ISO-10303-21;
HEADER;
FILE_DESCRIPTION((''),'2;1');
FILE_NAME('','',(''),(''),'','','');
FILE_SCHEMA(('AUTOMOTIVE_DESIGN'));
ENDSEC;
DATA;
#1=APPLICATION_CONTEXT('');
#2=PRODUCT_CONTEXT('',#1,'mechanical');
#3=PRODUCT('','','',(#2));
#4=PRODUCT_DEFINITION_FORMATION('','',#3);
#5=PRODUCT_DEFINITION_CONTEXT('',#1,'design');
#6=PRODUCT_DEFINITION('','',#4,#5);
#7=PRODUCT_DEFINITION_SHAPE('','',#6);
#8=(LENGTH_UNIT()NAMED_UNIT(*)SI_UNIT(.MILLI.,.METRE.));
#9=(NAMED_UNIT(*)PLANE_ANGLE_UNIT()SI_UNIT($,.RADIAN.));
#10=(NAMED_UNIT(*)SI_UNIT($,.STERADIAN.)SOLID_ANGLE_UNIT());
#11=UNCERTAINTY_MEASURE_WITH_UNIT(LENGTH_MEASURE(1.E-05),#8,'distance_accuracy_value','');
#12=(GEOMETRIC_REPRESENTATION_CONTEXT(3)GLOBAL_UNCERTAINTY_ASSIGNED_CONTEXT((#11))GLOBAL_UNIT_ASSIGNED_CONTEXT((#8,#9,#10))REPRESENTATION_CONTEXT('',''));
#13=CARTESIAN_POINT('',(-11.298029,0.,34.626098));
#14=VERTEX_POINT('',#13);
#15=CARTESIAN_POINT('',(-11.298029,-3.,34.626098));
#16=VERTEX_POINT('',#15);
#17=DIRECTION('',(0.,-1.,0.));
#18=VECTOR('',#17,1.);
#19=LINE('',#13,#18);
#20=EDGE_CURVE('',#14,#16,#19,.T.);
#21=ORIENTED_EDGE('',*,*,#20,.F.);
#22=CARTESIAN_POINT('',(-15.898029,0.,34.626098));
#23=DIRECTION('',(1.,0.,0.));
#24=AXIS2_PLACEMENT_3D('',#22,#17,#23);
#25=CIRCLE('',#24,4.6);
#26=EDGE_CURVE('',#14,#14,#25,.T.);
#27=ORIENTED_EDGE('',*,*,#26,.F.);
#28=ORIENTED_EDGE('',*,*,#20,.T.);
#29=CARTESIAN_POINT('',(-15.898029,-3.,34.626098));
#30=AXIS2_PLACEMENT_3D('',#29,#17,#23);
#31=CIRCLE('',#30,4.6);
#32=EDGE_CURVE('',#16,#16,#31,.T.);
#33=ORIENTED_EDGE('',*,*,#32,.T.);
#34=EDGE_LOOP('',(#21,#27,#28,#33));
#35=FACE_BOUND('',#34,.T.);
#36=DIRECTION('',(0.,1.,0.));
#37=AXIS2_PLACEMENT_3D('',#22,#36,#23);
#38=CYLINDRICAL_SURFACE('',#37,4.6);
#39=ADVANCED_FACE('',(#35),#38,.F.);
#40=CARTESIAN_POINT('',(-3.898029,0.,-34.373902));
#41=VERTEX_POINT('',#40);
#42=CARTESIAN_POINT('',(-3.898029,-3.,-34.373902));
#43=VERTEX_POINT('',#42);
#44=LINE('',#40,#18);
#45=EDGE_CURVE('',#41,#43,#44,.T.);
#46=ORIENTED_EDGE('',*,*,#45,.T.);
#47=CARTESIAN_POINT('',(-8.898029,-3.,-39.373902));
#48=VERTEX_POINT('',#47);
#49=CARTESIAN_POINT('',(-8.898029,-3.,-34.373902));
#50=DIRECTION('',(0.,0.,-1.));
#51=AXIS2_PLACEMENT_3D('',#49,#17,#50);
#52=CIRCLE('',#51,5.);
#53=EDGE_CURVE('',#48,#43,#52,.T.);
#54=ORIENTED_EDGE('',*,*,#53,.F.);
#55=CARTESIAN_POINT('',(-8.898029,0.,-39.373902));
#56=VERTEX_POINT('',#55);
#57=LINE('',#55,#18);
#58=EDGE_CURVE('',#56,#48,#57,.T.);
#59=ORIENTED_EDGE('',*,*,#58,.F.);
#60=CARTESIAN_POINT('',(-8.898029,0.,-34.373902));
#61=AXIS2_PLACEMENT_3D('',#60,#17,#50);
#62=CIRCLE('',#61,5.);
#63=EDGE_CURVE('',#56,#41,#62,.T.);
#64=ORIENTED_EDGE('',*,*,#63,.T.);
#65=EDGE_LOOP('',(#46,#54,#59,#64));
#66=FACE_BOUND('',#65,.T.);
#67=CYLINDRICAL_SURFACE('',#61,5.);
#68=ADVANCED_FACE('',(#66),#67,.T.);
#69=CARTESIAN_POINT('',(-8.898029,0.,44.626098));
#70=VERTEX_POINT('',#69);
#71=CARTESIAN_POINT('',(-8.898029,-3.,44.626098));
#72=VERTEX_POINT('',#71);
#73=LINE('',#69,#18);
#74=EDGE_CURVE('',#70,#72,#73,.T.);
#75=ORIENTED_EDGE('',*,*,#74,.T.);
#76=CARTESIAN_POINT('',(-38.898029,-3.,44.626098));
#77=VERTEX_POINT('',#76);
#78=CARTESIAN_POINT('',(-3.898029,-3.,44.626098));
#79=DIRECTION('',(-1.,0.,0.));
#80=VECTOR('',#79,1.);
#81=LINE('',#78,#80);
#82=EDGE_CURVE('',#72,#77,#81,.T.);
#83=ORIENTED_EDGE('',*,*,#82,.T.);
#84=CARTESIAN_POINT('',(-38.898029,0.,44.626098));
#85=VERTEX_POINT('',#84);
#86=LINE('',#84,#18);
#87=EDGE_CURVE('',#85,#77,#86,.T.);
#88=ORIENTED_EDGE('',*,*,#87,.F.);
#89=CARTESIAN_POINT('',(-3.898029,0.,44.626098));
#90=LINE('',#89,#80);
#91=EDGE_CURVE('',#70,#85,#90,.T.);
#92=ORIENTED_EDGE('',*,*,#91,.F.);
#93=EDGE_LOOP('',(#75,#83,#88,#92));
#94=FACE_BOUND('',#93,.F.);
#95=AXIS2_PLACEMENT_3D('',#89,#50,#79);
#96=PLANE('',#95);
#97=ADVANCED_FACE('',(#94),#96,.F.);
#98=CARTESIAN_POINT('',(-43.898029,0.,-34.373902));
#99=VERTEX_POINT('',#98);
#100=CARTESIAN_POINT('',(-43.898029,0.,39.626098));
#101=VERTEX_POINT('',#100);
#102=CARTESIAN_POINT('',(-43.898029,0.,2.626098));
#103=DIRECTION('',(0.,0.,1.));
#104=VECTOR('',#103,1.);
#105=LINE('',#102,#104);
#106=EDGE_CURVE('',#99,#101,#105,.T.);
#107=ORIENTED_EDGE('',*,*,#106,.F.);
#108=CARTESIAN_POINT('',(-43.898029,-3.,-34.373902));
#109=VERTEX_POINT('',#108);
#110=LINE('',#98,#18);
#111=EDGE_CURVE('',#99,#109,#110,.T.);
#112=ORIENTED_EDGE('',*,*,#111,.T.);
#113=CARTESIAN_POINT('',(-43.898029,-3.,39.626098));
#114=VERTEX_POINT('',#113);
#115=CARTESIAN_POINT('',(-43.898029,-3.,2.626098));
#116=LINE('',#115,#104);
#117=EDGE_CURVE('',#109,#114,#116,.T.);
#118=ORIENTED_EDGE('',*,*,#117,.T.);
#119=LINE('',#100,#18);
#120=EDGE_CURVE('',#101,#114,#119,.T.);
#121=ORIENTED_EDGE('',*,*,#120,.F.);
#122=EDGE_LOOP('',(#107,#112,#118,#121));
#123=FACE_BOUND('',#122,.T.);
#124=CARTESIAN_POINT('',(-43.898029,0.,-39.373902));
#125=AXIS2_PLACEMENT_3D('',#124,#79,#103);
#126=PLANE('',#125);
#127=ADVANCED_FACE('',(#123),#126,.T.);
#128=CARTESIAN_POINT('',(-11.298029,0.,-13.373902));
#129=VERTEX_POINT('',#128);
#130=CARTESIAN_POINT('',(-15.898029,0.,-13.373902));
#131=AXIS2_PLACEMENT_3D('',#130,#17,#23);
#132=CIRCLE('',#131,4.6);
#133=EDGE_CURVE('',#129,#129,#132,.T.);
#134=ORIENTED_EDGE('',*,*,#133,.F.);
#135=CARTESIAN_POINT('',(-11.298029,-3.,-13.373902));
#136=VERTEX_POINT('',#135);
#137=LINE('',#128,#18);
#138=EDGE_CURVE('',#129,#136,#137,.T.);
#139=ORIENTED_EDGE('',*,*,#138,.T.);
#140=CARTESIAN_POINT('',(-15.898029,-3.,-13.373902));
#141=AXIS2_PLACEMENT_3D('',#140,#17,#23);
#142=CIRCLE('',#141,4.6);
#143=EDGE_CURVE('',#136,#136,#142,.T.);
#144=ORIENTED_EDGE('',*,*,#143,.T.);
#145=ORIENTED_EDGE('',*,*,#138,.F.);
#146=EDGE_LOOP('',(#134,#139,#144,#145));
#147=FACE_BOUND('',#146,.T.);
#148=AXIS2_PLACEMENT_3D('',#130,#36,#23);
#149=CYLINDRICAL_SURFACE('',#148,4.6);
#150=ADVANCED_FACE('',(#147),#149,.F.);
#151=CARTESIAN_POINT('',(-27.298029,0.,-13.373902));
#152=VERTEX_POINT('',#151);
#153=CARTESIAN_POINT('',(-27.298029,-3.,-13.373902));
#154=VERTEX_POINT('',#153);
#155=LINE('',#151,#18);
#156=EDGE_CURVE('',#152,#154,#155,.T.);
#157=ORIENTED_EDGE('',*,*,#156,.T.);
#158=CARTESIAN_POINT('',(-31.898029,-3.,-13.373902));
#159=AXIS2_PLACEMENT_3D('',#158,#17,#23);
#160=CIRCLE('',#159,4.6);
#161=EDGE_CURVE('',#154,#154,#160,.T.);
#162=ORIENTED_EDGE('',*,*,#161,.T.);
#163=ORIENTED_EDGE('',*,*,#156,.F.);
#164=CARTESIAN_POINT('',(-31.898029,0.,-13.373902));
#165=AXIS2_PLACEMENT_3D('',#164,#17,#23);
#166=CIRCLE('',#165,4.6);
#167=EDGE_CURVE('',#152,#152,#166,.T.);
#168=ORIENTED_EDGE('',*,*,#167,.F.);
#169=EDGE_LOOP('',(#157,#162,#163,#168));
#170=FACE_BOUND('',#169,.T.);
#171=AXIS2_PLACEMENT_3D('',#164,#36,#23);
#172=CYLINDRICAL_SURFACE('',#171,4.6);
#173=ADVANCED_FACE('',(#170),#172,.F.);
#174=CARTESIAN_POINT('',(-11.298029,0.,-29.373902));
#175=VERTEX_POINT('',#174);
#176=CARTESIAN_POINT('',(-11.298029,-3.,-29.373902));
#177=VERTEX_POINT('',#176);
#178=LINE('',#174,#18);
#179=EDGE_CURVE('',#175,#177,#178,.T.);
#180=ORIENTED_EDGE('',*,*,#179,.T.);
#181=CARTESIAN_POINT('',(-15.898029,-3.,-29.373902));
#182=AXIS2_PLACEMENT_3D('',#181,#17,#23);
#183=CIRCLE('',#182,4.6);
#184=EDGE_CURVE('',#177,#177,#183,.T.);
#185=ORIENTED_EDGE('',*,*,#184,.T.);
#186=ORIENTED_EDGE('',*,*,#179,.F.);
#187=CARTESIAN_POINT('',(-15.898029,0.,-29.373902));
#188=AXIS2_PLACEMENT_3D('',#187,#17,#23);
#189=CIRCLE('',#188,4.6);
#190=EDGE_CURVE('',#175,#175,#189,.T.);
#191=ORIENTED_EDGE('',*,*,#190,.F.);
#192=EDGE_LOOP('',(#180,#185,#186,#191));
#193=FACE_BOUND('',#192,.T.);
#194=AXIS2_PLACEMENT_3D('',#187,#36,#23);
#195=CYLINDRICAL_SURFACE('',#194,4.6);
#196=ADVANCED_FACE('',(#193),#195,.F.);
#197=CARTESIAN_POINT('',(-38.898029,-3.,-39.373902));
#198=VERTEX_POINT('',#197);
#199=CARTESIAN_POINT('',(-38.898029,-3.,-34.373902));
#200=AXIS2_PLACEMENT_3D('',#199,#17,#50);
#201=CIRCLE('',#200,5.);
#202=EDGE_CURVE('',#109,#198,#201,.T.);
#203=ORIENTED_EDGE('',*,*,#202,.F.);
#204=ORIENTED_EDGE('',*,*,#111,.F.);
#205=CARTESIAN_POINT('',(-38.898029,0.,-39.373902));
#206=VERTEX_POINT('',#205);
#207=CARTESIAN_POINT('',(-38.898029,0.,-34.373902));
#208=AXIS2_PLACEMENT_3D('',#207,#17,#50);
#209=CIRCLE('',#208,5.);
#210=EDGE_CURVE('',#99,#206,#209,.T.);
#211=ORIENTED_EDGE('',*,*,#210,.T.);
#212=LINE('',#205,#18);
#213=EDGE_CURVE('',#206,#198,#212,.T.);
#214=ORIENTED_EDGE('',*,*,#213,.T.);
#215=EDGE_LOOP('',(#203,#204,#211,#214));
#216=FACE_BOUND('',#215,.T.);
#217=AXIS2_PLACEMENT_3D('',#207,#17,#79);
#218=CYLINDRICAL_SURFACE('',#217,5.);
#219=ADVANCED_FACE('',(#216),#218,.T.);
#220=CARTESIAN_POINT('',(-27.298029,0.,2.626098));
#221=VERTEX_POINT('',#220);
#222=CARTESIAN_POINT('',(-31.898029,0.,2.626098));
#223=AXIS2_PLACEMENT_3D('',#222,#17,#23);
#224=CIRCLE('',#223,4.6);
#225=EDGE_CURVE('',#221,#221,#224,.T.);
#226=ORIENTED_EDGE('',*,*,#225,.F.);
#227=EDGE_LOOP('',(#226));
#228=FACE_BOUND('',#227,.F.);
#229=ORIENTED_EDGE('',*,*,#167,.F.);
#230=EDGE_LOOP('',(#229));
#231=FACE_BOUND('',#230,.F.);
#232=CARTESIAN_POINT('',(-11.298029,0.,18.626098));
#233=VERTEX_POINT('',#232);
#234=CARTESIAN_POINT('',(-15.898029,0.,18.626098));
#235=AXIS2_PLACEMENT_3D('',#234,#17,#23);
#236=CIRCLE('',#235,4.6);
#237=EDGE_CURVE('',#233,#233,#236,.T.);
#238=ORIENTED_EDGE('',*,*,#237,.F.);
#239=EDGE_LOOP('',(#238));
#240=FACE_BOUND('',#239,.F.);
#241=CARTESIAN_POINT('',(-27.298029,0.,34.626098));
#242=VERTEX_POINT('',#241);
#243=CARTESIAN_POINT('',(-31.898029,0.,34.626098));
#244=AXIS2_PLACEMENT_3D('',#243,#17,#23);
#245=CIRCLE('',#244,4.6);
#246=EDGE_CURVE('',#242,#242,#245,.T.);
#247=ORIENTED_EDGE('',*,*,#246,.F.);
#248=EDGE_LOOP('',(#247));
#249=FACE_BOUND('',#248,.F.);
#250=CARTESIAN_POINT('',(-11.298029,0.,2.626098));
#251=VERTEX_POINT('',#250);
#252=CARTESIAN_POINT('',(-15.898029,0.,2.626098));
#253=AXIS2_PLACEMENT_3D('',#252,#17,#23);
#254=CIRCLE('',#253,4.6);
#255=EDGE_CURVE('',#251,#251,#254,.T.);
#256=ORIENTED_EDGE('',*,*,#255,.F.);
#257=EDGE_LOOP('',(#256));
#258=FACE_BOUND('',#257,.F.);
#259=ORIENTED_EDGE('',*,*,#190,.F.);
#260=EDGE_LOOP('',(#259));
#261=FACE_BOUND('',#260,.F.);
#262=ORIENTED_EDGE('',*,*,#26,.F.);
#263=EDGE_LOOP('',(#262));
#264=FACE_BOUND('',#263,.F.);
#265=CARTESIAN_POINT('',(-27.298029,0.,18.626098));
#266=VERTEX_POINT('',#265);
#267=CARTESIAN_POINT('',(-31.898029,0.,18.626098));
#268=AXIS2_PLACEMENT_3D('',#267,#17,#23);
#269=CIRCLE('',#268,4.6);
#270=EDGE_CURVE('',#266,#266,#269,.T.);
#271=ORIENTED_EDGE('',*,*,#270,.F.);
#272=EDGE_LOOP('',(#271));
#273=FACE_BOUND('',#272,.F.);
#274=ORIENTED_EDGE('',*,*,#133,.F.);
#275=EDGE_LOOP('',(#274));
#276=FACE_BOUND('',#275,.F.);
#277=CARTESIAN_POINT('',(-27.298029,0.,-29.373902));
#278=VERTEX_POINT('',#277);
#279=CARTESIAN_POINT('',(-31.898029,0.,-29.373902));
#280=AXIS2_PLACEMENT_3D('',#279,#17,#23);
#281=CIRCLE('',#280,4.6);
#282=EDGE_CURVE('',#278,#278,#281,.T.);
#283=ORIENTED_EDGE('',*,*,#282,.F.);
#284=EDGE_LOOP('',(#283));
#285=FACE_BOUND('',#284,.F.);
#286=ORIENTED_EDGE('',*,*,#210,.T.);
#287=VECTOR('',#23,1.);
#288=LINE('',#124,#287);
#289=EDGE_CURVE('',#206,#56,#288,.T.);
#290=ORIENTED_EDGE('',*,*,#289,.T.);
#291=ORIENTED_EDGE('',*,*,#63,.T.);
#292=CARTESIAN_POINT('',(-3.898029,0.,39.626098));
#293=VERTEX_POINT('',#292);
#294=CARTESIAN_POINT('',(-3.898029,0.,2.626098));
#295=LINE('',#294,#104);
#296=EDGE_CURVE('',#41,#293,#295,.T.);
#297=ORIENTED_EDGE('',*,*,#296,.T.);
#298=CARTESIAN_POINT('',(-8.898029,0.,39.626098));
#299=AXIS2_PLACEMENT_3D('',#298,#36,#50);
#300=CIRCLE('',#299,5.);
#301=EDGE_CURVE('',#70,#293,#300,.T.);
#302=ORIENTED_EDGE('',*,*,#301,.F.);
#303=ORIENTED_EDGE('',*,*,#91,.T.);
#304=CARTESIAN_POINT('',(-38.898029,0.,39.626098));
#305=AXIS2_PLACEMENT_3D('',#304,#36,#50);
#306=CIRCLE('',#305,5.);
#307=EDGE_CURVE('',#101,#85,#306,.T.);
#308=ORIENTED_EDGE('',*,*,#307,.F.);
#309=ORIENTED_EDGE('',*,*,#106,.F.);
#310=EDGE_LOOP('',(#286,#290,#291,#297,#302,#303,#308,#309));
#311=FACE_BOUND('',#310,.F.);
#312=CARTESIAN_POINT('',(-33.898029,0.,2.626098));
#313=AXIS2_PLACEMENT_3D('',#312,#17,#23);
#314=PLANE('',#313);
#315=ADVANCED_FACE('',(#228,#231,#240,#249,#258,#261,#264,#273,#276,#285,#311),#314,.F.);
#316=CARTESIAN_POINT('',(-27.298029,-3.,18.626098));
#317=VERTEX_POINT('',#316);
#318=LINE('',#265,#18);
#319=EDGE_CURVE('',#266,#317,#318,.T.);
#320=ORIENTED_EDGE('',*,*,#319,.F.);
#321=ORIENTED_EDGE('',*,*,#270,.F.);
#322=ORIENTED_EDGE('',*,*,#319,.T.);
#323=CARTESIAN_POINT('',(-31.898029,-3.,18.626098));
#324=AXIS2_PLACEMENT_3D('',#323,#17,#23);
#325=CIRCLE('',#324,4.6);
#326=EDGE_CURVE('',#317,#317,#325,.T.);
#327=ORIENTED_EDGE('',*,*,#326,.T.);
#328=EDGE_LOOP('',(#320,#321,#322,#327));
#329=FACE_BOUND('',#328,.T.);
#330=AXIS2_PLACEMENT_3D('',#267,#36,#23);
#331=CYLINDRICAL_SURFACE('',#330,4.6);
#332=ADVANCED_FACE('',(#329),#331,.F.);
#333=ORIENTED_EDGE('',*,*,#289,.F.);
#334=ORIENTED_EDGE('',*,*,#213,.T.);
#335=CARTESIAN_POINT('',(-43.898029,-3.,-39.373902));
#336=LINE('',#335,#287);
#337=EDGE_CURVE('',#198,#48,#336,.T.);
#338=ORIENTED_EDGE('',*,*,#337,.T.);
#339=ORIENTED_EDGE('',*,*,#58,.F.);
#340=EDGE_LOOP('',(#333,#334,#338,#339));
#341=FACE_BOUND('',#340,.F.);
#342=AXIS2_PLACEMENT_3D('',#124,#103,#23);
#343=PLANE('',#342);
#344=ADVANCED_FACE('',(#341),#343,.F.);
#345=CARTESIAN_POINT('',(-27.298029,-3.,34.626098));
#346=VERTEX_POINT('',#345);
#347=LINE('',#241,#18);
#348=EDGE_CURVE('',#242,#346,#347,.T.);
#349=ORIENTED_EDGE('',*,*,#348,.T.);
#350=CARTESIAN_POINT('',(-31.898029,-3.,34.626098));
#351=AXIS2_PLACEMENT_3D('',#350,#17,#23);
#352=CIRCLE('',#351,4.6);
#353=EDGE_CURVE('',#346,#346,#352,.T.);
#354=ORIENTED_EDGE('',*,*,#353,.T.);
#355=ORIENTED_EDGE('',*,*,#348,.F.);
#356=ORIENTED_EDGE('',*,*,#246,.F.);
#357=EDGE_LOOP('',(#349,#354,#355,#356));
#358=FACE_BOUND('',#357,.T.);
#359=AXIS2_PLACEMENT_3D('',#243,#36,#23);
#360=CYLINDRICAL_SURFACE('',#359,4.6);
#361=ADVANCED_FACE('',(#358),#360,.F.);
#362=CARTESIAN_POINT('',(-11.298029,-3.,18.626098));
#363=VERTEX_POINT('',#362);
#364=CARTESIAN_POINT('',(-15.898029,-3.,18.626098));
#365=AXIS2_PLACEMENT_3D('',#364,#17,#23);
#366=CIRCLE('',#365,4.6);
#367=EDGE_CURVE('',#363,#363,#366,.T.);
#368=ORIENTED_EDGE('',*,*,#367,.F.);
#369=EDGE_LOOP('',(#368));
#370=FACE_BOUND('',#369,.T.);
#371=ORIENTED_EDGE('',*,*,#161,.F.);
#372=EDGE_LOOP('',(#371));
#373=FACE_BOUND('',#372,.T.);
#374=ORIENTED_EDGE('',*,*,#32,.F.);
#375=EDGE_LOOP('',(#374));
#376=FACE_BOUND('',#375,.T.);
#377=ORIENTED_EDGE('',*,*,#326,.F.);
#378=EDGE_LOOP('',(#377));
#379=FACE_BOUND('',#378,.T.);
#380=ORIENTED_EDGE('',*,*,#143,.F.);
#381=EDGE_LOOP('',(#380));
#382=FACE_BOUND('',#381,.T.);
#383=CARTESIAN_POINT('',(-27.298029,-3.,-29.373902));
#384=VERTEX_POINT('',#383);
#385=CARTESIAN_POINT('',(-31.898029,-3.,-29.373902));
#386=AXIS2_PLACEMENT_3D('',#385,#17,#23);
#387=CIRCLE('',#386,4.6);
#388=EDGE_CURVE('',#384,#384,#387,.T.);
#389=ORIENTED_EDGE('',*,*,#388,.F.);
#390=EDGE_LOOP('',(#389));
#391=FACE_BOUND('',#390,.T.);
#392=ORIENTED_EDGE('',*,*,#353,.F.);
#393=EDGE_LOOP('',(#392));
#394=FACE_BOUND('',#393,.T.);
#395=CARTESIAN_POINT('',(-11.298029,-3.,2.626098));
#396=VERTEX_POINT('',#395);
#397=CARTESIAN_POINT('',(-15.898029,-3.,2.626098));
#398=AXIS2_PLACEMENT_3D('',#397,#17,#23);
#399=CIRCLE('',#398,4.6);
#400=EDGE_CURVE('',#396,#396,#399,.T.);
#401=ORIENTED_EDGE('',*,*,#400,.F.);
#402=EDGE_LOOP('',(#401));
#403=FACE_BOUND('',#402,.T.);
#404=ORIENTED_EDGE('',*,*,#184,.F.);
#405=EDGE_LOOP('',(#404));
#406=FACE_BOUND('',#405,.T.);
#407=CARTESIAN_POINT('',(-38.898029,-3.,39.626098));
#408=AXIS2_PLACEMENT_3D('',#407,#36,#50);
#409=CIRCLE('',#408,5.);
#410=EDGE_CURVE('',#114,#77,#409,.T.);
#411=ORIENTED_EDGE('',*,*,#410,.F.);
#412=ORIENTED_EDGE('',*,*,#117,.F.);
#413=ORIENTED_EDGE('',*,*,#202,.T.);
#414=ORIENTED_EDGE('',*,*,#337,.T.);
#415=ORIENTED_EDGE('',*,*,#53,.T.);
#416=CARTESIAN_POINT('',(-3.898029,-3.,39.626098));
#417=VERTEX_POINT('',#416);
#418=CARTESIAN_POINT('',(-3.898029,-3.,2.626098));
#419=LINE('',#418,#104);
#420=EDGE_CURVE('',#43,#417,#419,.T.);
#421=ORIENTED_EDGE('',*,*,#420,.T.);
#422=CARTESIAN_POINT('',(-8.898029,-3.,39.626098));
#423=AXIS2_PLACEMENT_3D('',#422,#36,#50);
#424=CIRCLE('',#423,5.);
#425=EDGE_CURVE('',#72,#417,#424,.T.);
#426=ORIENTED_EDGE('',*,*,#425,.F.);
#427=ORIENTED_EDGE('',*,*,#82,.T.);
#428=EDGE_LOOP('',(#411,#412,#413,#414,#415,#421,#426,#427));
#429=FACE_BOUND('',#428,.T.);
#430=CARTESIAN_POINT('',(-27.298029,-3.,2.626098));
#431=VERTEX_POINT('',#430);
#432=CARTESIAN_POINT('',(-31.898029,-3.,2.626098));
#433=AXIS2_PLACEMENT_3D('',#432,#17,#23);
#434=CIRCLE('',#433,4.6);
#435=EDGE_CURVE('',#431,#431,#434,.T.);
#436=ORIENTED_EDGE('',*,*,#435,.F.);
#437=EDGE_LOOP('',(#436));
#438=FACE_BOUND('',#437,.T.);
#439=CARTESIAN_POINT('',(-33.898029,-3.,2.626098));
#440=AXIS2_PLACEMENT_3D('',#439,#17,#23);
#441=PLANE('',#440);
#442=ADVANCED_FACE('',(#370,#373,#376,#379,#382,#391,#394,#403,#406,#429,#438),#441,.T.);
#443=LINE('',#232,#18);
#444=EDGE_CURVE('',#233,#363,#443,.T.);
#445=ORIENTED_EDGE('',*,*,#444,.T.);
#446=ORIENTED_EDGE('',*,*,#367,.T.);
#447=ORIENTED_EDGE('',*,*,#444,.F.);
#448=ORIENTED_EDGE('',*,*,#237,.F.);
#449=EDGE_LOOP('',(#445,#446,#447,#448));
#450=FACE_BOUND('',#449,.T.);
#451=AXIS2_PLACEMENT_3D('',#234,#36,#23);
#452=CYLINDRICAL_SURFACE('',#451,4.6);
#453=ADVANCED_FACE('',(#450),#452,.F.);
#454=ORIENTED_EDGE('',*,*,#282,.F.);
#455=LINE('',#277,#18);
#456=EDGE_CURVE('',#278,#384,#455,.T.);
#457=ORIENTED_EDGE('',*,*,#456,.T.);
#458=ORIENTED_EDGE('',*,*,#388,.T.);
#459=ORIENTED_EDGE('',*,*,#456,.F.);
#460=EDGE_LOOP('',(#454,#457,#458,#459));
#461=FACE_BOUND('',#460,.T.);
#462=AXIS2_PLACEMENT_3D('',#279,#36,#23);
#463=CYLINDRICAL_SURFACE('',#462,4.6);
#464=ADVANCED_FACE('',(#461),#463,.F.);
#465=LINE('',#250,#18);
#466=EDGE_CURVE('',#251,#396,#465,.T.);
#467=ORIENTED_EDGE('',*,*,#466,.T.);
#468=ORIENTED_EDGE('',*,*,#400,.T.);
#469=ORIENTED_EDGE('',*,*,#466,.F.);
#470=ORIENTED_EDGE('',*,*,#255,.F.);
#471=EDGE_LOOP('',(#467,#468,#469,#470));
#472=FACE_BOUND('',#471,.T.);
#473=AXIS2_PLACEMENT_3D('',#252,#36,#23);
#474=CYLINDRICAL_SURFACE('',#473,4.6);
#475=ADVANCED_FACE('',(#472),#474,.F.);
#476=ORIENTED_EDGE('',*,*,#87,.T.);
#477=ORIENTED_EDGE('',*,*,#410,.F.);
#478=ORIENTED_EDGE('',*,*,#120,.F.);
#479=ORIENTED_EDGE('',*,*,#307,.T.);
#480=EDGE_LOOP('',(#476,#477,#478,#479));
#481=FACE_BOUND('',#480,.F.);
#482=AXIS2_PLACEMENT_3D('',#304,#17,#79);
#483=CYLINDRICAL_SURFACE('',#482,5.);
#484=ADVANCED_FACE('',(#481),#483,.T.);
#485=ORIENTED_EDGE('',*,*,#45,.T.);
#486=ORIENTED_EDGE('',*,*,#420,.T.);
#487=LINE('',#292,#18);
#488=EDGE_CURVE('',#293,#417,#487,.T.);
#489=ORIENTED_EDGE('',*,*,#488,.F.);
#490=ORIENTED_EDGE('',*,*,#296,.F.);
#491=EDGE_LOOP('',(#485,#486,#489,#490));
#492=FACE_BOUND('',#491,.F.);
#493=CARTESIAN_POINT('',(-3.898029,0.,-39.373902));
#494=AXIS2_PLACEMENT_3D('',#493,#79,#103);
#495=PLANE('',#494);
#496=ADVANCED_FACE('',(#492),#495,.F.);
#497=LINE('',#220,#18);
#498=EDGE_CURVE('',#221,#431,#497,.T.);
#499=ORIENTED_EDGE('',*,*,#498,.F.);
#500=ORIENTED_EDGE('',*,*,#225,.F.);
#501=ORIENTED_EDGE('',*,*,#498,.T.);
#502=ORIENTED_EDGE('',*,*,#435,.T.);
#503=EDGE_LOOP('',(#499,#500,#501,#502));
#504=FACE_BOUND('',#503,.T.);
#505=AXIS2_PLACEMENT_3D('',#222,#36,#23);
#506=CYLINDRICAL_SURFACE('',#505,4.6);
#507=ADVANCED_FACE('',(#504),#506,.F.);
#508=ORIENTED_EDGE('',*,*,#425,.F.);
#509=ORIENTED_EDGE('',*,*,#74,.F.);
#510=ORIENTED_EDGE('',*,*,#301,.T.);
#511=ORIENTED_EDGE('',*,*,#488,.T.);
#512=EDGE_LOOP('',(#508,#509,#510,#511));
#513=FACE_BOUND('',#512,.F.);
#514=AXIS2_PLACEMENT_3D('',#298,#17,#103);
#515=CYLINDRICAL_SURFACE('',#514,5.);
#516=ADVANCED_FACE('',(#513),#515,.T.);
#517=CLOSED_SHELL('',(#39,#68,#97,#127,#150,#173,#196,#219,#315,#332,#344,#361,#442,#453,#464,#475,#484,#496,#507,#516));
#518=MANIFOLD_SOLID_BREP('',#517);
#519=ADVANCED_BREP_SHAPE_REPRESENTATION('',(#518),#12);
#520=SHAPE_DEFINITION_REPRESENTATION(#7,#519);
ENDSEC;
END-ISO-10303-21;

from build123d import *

# Parameters (mm, degrees)
F0_W     = 20
F0_H     = 84
F0_R     = 4.6
F1_DEPTH = 3
F2_R     = 5


with BuildPart() as f1:
    # F0 (on Front) → F1 (new body)
    with BuildSketch(Plane.XZ):
        with Locations((-33.898029, 2.626098)):
            Rectangle(F0_W, F0_H)
        with Locations((-31.898029, -29.373902)):
            Circle(F0_R, mode=Mode.SUBTRACT)
        with Locations((-31.898029, -13.373902)):
            Circle(F0_R, mode=Mode.SUBTRACT)
        with Locations((-31.898029, 2.626098)):
            Circle(F0_R, mode=Mode.SUBTRACT)
        with Locations((-31.898029, 18.626098)):
            Circle(F0_R, mode=Mode.SUBTRACT)
        with Locations((-31.898029, 34.626098)):
            Circle(F0_R, mode=Mode.SUBTRACT)
        with Locations((-13.898029, 2.626098)):
            Rectangle(F0_W, F0_H)
        with Locations((-15.898029, -29.373902)):
            Circle(F0_R, mode=Mode.SUBTRACT)
        with Locations((-15.898029, -13.373902)):
            Circle(F0_R, mode=Mode.SUBTRACT)
        with Locations((-15.898029, 2.626098)):
            Circle(F0_R, mode=Mode.SUBTRACT)
        with Locations((-15.898029, 18.626098)):
            Circle(F0_R, mode=Mode.SUBTRACT)
        with Locations((-15.898029, 34.626098)):
            Circle(F0_R, mode=Mode.SUBTRACT)
    extrude(amount=F1_DEPTH)

    # F2
    f2_edges = [f1.edges().sort_by_distance(p)[0] for p in [
        (-43.898029, -1.5, 44.626098),
        (-3.898029, -1.5, 44.626098),
        (-3.898029, -1.5, -39.373902),
        (-43.898029, -1.5, -39.373902),
    ]]
    fillet(f2_edges, radius=F2_R)


solid = f1.part
